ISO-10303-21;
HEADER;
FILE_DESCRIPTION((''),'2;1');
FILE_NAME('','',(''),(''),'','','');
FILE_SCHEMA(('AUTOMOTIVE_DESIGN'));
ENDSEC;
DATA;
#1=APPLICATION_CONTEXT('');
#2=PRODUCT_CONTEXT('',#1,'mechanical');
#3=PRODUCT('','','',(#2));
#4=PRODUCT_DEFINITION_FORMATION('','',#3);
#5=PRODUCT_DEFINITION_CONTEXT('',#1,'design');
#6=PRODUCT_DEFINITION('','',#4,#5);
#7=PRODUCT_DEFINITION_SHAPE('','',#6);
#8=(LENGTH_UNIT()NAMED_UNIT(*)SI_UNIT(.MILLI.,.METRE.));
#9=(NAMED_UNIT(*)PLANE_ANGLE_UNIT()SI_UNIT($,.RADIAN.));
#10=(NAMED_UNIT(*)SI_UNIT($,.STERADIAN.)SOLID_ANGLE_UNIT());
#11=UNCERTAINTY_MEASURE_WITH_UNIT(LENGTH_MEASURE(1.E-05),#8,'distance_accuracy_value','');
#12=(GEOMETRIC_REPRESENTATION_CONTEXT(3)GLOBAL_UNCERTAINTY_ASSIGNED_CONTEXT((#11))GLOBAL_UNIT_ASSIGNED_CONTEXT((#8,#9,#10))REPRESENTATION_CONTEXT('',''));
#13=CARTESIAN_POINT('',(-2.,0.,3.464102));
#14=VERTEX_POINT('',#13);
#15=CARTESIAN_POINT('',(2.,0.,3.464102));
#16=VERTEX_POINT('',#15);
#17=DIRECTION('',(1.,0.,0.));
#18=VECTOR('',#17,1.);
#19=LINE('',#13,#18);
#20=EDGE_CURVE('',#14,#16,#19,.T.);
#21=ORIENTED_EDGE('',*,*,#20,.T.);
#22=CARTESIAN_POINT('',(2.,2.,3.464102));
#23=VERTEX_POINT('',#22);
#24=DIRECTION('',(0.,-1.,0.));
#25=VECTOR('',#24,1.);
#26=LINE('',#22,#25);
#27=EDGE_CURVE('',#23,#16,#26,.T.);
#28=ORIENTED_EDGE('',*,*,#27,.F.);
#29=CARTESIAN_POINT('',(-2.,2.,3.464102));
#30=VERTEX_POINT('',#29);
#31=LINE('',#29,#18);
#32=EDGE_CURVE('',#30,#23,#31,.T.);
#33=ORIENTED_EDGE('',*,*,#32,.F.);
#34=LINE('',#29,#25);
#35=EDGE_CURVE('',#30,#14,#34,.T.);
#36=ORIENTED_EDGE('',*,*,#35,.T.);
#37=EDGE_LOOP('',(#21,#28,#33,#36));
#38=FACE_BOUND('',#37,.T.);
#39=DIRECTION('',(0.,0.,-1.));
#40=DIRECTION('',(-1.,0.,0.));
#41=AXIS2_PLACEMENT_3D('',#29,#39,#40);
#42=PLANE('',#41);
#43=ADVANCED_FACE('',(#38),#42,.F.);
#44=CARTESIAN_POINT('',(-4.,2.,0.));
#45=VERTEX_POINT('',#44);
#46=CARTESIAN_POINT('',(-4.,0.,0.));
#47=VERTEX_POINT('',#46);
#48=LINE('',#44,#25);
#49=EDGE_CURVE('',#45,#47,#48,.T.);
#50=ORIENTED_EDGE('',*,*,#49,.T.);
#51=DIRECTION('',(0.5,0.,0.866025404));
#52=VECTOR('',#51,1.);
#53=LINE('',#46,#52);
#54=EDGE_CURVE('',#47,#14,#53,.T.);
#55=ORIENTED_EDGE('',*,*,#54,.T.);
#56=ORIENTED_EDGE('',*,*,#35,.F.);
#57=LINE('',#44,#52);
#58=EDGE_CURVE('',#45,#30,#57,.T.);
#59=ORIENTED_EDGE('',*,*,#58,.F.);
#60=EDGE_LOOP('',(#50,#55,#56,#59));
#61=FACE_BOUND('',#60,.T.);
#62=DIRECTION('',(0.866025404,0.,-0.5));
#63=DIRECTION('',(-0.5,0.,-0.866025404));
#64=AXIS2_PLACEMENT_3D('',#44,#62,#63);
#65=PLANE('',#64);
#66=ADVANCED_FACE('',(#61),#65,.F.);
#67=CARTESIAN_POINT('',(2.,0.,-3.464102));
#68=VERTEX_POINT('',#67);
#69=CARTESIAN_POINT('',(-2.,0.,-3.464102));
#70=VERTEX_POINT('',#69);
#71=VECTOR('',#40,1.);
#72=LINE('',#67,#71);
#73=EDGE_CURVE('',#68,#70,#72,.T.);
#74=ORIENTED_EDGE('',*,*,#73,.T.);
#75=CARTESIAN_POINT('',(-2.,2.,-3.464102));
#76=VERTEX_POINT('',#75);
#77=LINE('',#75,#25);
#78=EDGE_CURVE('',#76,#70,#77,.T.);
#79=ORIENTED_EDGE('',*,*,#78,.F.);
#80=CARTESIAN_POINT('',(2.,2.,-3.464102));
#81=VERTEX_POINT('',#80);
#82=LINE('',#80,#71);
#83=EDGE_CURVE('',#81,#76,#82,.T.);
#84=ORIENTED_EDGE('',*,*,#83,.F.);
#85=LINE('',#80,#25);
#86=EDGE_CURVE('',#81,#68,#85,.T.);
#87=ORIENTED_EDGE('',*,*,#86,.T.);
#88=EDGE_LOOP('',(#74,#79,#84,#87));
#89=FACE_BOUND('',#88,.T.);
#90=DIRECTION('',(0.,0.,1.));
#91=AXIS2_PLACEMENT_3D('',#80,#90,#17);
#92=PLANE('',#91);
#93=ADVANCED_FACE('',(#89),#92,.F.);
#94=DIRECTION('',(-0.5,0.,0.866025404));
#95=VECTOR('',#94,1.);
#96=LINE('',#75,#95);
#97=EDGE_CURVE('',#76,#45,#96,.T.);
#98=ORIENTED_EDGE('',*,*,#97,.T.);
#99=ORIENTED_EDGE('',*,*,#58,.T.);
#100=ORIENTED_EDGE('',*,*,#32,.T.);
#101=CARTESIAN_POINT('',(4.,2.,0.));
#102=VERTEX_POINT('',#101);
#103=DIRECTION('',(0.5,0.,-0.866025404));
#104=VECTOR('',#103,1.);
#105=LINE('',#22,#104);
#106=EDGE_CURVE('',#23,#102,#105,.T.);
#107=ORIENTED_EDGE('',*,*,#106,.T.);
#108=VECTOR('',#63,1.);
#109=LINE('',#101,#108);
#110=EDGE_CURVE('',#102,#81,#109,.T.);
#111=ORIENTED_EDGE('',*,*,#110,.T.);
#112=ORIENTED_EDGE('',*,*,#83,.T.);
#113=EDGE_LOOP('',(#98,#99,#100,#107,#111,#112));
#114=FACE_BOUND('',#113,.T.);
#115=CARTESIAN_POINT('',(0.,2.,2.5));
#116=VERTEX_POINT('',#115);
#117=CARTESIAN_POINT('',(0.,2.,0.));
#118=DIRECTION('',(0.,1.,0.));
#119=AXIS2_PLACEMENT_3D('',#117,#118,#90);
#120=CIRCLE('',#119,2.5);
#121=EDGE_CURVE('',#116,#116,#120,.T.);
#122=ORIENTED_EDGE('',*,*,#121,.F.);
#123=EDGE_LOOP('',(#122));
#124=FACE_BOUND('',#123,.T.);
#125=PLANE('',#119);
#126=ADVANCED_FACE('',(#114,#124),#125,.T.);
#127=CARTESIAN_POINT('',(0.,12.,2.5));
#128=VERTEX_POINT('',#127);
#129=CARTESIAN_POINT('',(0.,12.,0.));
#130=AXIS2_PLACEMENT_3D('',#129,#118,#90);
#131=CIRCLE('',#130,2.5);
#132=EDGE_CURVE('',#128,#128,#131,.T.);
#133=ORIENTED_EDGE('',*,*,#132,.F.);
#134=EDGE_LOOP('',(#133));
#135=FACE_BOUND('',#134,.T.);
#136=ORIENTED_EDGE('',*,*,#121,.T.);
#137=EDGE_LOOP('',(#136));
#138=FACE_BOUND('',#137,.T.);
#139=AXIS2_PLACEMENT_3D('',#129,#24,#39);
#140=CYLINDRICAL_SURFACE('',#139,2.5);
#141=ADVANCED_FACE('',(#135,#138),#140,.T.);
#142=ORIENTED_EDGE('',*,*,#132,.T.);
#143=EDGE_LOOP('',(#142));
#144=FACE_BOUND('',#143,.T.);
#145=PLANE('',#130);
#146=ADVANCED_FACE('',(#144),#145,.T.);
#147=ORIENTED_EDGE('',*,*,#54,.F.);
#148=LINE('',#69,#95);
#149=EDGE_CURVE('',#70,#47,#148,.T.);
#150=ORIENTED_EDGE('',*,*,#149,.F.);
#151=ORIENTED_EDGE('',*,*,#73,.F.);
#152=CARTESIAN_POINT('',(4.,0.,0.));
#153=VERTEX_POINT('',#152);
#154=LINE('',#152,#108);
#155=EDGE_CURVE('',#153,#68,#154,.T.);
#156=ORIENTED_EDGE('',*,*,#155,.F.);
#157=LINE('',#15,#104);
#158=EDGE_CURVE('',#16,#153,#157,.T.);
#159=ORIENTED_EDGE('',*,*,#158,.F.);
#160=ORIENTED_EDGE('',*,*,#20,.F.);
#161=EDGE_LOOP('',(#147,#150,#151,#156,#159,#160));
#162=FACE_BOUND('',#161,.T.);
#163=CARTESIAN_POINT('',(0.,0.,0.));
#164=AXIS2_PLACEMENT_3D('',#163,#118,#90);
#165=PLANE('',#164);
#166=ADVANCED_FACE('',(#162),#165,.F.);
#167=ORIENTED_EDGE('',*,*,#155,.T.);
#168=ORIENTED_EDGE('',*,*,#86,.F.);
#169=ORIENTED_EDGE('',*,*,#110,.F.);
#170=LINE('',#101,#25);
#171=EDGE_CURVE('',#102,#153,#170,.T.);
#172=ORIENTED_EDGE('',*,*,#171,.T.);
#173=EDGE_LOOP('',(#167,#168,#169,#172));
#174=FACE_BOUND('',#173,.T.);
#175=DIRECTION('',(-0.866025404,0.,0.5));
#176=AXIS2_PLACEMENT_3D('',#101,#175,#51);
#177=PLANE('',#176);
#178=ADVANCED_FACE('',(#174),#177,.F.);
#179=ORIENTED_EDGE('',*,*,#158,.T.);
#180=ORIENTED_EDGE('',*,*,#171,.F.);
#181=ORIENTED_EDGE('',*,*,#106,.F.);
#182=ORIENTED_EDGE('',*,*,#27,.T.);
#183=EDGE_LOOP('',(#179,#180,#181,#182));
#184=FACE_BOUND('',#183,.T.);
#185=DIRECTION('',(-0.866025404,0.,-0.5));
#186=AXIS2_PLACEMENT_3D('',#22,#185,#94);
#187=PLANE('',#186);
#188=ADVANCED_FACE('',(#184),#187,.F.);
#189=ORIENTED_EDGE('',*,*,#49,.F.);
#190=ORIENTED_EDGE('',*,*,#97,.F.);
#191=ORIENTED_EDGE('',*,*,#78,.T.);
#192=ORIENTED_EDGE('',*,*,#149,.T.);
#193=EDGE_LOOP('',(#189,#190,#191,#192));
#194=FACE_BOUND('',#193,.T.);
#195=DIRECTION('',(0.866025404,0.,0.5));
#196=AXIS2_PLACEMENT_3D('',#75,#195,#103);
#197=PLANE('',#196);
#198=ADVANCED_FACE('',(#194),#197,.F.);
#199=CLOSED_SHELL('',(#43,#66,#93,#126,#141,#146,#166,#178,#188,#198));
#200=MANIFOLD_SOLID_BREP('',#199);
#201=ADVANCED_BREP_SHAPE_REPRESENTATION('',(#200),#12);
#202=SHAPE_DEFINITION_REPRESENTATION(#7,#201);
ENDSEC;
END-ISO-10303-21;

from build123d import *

# Parameters (mm, degrees)
EXTRUDE_1_DEPTH = 2
SKETCH_2_R      = 2.5
EXTRUDE_2_DEPTH = 10


with BuildPart() as part:
    # 草图1 → 凸台-拉伸1 (new body)
    with BuildSketch(Plane(origin=(0, 0, 0), x_dir=(1, 0, 0), z_dir=(0, 1, 0))):
        Polygon((4, 0), (2, 3.464101615), (-2, 3.464101615), (-4, 0), (-2, -3.464101615), (2, -3.464101615), align=None)
    extrude(amount=EXTRUDE_1_DEPTH)

    # 草图2 → 凸台-拉伸2 (add)
    with BuildSketch(Plane(origin=(0, 2, 0), x_dir=(1, 0, 0), z_dir=(0, 1, 0))):
        with Locations(Location((0, 0, 0), (0, 0, 270))):
            Circle(SKETCH_2_R)
    extrude(amount=EXTRUDE_2_DEPTH)


solid = part.part
